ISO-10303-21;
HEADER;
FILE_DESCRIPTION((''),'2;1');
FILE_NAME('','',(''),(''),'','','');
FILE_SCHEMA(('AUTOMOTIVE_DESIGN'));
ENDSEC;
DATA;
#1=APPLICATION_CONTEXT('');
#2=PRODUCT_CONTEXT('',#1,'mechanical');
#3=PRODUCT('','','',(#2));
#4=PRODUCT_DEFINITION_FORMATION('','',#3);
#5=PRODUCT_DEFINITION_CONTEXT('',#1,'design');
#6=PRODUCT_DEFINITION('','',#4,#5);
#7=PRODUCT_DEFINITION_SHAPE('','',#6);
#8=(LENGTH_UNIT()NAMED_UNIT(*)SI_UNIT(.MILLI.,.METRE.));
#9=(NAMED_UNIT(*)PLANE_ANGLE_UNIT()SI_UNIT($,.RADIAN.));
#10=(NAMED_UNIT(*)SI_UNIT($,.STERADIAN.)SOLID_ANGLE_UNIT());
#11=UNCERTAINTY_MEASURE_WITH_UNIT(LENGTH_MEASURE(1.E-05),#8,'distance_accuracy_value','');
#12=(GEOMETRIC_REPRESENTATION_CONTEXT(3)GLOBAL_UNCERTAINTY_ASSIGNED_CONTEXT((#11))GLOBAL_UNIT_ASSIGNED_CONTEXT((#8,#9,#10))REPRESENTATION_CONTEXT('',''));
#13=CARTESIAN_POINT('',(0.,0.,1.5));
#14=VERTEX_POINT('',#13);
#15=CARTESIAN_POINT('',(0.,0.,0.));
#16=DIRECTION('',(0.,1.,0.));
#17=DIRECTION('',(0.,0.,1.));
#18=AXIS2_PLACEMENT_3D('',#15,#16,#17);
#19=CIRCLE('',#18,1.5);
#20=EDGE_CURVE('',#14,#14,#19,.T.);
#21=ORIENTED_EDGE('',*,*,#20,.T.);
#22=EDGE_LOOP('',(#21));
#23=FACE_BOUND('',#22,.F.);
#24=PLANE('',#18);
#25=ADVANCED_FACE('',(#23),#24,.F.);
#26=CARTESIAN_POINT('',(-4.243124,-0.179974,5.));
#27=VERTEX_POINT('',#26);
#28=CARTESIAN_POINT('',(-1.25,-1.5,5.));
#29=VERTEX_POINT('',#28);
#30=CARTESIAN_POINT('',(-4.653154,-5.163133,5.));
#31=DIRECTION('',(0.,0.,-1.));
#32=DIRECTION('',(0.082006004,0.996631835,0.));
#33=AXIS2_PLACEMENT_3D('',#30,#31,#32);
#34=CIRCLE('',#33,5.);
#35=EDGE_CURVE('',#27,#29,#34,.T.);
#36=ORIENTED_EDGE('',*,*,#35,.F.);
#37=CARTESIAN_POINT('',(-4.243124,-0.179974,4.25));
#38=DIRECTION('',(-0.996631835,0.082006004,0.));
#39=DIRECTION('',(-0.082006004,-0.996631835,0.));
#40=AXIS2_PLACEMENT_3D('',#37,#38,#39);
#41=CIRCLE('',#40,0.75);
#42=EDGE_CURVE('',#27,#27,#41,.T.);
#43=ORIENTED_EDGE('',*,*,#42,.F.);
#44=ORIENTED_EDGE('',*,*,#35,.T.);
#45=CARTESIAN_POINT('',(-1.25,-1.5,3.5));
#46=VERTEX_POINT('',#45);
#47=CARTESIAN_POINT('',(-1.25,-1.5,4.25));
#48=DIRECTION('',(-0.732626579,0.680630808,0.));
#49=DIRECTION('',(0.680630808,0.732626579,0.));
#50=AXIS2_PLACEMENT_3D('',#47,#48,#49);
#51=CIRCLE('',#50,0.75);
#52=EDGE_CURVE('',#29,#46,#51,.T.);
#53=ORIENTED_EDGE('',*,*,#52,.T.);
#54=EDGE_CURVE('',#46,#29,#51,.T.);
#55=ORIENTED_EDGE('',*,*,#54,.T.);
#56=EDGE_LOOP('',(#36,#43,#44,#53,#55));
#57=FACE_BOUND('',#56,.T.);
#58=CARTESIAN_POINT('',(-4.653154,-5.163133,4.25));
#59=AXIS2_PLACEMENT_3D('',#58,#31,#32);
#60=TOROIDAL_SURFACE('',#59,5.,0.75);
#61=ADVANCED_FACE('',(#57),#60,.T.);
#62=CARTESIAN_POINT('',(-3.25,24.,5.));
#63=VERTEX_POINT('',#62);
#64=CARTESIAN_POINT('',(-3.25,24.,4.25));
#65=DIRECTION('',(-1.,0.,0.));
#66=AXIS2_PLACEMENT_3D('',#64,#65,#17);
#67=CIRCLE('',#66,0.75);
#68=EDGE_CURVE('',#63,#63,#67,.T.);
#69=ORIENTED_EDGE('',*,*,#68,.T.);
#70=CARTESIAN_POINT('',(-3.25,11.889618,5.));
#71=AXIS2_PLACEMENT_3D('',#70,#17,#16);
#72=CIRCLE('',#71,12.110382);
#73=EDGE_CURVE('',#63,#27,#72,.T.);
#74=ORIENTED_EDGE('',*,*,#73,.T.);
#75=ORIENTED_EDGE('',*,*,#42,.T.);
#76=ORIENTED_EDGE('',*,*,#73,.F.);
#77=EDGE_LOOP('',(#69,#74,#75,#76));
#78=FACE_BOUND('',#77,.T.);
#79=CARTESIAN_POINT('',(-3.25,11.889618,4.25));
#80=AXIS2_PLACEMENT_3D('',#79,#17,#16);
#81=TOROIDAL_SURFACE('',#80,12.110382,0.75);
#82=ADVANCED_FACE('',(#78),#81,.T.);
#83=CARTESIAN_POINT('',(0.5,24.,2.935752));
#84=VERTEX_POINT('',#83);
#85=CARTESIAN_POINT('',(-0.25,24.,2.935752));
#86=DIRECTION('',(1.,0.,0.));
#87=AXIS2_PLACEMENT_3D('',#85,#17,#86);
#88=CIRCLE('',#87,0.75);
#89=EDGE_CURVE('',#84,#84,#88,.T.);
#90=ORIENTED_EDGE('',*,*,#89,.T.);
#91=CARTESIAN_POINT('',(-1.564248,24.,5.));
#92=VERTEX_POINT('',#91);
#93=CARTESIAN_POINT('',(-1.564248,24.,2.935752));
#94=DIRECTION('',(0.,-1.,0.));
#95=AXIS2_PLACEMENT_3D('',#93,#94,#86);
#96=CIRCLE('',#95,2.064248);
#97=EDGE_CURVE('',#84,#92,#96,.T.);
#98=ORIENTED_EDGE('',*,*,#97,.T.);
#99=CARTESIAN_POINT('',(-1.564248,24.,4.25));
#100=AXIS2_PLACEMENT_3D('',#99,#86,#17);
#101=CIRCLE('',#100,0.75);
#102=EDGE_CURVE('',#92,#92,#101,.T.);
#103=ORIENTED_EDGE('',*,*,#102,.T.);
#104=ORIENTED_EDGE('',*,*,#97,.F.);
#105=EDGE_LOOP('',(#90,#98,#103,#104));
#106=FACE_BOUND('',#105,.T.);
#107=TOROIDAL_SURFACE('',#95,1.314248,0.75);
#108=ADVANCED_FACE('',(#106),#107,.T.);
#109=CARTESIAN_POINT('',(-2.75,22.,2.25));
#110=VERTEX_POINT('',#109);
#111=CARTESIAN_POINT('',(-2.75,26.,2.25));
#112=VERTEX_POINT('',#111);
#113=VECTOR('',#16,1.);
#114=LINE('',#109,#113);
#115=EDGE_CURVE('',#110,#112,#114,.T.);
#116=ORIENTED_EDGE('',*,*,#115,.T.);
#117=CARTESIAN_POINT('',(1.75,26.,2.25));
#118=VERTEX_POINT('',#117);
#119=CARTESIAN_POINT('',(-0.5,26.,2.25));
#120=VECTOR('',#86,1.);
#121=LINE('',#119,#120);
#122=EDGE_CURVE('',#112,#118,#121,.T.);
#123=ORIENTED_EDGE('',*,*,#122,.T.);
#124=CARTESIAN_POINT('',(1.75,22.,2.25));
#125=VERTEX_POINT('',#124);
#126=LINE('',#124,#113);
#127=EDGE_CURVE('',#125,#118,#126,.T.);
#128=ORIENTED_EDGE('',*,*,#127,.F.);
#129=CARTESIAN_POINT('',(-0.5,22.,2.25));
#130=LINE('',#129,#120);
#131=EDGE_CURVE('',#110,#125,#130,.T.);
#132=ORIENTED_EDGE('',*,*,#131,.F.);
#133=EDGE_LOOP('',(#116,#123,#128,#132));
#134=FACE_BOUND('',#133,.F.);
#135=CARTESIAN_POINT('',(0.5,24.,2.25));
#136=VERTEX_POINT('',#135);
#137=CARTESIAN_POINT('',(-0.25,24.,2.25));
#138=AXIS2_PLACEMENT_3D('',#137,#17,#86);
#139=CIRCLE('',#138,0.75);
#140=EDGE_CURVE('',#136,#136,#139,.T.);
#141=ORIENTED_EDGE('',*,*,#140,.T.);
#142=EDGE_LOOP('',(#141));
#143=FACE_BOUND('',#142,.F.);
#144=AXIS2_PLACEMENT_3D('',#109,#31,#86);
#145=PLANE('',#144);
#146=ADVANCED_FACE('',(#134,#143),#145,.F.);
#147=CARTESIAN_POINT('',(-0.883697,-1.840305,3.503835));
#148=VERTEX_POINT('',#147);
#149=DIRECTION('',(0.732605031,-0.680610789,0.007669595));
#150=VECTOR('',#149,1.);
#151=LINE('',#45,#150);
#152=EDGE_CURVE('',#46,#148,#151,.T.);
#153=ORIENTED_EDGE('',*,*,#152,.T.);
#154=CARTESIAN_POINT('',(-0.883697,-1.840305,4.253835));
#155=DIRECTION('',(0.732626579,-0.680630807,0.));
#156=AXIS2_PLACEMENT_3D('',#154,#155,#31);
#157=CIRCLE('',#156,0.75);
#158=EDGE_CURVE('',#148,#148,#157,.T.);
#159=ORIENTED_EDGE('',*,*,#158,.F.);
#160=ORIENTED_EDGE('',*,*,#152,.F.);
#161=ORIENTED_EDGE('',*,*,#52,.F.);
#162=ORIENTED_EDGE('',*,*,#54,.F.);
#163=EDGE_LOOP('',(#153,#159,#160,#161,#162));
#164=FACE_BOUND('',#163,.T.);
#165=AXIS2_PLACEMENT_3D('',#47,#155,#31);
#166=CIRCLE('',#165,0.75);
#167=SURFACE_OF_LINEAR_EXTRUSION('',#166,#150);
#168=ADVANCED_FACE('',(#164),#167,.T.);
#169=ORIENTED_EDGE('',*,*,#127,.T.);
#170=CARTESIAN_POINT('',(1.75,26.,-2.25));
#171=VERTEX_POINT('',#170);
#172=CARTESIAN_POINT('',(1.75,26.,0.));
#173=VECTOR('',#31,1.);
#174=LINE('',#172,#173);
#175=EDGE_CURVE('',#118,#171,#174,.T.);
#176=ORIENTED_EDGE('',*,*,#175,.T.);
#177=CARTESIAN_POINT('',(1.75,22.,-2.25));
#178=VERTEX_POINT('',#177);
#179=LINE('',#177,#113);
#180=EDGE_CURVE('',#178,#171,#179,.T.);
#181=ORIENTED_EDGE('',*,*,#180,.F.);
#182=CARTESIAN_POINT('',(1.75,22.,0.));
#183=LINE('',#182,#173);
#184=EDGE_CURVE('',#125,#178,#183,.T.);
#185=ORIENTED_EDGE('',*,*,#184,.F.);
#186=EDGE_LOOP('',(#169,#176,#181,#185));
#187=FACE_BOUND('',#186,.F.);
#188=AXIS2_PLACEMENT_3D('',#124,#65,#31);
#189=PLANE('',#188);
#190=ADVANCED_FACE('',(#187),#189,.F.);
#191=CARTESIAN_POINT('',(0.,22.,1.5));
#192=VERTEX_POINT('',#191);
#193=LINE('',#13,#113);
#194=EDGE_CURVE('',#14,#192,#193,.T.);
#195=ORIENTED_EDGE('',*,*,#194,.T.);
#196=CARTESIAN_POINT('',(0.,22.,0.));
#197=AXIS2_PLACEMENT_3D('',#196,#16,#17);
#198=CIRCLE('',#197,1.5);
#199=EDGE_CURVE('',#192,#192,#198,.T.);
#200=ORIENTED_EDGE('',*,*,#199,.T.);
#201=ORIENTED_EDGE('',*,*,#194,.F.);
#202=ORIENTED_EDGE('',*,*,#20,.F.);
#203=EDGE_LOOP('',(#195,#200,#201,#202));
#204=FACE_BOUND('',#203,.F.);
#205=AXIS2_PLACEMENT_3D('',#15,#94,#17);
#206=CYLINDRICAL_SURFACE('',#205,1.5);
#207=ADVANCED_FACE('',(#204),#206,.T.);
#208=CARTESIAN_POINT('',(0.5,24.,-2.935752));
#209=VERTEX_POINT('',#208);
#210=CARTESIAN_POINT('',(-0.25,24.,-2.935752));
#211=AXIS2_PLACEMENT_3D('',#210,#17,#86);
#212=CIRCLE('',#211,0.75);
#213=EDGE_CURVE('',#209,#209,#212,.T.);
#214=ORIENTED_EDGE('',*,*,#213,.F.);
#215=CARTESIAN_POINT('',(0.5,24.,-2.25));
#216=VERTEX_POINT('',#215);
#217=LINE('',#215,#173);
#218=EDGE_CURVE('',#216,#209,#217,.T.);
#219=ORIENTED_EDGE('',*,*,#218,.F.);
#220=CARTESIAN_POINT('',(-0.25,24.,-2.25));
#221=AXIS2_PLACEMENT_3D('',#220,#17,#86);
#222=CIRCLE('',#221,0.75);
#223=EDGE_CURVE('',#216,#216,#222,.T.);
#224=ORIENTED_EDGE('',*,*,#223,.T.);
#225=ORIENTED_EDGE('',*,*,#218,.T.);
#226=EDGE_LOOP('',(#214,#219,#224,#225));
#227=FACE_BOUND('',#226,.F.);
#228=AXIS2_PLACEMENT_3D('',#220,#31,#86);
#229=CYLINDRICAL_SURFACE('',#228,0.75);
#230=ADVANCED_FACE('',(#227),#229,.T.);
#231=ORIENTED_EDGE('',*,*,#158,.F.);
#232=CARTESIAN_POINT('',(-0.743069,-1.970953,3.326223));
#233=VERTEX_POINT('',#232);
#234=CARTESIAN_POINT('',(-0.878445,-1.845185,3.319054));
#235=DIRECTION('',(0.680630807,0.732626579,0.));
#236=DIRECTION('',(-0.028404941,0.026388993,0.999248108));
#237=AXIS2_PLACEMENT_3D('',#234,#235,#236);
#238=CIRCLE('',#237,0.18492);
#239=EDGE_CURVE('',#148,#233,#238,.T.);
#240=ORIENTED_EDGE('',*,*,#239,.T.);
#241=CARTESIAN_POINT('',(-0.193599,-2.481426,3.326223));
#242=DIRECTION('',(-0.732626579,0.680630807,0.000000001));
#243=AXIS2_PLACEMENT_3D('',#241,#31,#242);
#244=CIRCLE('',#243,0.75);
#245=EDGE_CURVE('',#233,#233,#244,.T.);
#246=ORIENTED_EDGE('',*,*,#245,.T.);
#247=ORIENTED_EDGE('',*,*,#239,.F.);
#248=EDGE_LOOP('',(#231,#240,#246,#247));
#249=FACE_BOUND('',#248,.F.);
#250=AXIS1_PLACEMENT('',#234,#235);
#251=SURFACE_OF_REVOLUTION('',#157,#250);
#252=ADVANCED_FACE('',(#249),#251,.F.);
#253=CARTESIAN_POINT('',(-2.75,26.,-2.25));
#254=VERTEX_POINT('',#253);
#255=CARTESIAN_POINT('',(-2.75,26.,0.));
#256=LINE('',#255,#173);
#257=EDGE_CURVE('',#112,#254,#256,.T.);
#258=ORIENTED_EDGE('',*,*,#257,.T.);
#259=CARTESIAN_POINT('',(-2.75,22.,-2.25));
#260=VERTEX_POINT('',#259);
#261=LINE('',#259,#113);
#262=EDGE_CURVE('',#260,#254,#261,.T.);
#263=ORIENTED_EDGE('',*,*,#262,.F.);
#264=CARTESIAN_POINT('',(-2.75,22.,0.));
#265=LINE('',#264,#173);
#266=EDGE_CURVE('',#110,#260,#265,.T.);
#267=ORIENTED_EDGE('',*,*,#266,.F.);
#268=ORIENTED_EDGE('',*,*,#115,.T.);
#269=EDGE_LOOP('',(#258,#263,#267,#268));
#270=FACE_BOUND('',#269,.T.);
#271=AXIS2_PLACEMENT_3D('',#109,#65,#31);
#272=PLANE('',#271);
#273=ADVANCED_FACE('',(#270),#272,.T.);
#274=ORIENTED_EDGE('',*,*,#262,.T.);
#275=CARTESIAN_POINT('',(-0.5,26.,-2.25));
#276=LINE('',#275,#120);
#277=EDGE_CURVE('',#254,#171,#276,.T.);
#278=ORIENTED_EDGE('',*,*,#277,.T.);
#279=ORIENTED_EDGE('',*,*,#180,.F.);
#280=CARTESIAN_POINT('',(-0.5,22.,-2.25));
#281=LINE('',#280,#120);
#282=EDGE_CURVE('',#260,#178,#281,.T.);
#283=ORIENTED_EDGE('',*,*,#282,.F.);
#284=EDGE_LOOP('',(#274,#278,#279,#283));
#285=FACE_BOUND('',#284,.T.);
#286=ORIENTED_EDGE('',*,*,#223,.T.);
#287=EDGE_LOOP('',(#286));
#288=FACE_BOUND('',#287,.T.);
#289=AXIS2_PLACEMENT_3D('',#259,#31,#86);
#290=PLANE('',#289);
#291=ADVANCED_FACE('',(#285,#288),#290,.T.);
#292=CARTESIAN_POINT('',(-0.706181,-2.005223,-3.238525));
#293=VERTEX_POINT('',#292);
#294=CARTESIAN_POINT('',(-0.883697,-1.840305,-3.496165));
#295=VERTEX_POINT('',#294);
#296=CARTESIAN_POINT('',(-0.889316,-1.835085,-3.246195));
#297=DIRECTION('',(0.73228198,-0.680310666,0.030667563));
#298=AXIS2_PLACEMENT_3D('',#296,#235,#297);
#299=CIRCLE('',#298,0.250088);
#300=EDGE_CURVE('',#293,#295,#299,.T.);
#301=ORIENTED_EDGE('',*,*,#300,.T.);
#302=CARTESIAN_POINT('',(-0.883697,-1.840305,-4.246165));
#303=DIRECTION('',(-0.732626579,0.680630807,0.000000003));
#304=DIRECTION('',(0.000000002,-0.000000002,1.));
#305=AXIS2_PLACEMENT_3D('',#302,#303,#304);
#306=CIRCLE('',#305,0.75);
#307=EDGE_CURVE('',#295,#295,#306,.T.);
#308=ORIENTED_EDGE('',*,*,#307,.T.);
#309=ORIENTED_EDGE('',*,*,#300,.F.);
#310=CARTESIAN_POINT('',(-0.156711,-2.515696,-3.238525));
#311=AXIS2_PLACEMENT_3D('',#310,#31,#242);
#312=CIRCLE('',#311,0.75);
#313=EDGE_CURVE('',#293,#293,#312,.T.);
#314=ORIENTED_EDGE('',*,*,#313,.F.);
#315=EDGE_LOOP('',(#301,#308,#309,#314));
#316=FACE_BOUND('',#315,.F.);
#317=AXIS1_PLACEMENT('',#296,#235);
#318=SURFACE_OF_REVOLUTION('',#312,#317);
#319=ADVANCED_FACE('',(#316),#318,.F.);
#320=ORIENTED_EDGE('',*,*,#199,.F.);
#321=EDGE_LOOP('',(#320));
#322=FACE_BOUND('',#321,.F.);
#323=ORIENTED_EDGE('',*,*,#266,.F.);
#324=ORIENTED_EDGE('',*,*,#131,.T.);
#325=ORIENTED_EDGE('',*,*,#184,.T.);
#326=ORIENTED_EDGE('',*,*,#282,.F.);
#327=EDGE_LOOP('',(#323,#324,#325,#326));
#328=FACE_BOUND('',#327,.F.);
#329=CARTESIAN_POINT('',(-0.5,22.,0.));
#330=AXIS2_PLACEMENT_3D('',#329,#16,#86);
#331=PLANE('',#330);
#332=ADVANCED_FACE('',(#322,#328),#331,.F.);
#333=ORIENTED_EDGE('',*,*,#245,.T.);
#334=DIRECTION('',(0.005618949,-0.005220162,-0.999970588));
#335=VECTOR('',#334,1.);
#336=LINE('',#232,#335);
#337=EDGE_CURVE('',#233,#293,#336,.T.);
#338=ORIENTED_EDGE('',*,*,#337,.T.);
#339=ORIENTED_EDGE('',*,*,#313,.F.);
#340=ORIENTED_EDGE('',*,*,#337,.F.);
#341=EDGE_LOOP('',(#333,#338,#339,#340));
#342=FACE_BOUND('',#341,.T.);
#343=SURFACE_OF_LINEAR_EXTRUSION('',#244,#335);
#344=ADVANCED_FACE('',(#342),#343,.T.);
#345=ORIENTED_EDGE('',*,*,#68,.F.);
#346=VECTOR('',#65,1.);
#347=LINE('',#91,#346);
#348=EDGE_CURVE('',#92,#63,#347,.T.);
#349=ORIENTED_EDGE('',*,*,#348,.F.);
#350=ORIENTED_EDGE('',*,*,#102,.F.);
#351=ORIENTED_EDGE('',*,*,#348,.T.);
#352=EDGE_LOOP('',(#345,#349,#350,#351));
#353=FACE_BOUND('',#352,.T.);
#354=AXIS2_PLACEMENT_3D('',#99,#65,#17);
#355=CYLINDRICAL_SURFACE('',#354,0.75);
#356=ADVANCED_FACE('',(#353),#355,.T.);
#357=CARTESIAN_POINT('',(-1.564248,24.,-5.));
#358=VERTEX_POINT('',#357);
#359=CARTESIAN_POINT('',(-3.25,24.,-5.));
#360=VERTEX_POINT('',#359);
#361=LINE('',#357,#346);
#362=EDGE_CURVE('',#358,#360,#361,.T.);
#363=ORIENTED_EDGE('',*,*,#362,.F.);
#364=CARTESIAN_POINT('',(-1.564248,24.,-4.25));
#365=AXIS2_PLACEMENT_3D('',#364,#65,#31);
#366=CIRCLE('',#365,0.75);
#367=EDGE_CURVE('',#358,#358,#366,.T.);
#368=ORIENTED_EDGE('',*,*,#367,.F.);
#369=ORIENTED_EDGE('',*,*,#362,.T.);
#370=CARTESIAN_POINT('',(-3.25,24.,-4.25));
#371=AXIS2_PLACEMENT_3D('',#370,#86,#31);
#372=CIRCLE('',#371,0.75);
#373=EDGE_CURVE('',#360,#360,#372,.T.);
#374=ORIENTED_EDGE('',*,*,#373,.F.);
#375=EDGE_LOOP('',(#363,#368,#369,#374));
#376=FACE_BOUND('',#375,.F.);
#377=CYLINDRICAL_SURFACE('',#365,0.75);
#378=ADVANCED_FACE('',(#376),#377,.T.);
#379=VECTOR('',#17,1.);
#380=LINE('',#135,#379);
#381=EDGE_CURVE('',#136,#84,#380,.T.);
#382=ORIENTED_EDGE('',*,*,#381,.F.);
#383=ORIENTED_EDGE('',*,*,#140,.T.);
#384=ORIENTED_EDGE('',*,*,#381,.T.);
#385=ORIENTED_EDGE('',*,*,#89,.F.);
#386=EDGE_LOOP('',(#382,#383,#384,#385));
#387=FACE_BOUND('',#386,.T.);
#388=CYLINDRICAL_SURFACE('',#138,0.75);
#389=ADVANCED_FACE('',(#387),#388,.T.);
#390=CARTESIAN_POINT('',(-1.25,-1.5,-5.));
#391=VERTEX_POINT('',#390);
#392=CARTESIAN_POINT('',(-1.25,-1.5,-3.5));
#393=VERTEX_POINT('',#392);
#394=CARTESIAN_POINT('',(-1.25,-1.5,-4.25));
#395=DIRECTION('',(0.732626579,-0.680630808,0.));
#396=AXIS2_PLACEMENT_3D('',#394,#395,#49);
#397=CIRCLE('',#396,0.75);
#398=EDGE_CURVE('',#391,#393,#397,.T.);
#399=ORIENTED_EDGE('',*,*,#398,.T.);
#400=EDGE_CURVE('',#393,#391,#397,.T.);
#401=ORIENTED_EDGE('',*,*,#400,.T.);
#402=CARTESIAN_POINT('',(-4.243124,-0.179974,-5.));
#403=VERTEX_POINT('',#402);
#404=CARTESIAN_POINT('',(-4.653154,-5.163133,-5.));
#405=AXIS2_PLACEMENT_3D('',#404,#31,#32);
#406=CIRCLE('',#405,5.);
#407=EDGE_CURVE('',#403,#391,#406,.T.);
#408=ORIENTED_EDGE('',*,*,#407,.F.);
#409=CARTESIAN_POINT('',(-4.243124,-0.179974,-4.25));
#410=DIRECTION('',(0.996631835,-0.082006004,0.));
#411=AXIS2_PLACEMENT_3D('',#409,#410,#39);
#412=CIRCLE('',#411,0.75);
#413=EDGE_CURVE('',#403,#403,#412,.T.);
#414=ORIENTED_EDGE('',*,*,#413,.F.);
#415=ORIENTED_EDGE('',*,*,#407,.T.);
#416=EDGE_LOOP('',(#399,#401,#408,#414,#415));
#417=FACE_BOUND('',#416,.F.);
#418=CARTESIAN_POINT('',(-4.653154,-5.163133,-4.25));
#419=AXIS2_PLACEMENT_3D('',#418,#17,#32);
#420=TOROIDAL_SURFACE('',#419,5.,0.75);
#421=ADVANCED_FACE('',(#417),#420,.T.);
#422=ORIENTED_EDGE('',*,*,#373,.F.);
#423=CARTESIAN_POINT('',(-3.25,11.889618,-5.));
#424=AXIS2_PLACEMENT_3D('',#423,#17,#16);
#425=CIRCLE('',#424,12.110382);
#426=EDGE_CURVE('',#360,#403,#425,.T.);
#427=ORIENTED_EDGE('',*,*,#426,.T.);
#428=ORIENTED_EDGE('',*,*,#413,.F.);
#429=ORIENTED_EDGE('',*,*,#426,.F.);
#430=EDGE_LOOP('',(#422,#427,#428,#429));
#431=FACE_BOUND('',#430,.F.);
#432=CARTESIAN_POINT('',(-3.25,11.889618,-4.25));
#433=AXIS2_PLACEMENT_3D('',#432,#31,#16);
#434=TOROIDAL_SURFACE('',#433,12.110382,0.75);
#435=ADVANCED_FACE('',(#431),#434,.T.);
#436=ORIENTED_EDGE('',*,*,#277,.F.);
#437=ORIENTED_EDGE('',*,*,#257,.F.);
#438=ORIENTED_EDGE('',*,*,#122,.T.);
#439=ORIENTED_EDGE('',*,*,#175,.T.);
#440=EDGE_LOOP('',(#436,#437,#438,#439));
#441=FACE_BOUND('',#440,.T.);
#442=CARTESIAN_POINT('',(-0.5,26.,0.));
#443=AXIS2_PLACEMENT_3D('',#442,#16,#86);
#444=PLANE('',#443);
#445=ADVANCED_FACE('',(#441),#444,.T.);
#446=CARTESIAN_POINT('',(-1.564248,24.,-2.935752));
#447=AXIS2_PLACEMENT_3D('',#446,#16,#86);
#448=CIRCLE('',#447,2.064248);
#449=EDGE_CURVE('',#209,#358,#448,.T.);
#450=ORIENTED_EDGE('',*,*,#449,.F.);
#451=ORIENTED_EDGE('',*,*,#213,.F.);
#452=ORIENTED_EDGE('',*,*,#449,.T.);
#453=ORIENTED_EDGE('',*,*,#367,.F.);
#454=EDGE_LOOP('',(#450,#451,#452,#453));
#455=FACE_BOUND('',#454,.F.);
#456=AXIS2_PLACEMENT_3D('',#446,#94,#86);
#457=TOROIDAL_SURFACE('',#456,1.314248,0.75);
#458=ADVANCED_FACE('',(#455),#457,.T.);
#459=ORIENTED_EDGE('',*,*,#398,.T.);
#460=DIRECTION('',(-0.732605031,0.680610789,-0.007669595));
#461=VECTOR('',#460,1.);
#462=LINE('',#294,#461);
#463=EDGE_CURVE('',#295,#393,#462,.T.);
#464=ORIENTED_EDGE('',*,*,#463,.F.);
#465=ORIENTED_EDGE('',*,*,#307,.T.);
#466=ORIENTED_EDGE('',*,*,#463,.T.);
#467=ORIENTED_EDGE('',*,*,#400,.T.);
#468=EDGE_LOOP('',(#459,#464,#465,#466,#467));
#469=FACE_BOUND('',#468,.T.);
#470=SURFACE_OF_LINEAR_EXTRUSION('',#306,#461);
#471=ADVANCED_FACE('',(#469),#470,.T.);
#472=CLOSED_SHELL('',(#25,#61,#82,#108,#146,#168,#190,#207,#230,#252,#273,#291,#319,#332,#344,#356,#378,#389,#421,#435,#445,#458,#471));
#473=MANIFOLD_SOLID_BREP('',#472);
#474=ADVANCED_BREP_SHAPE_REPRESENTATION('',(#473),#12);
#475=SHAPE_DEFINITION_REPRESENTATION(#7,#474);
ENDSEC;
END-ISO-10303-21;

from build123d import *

# Parameters (mm, degrees)
SZKIC1_R                    = 1.5
DODANIE_WYCI_GNI_CIE1_DEPTH = 22
SZKIC2_W                    = 4.5
SZKIC2_H                    = 4.5
DODANIE_WYCI_GNI_CIE2_DEPTH = 4
SZKIC3_R                    = 0.75
SZKIC4_R                    = 0.75


with BuildPart() as part:
    # Szkic1 → Dodanie-wyciągnięcie1 (new body)
    with BuildSketch(Plane(origin=(0, 0, 0), x_dir=(1, 0, 0), z_dir=(0, 1, 0))):
        with Locations(Location((0, 0, 0), (0, 0, 270))):
            Circle(SZKIC1_R)
    extrude(amount=DODANIE_WYCI_GNI_CIE1_DEPTH)

    # Szkic2 → Dodanie-wyciągnięcie2 (add)
    with BuildSketch(Plane(origin=(0, 22, 0), x_dir=(1, 0, 0), z_dir=(0, 1, 0))):
        with Locations((-0.5, 0)):
            Rectangle(SZKIC2_W, SZKIC2_H)
    extrude(amount=DODANIE_WYCI_GNI_CIE2_DEPTH)

    # Wyciągnięcie po ścieżce1: sweep along a curve in space
    with BuildLine() as wyci_gni_cie_po_cie_ce1_path:
        Line((-0.25, 24, 2.25), (-0.25, 24, 2.935752061))
        ThreePointArc((-0.25, 24, 2.935752061), (-0.634934309, 24, 3.865065691), (-1.564247939, 24, 4.25))
        Line((-1.564247939, 24, 4.25), (-3.25, 24, 4.25))
        ThreePointArc((-3.25, 24, 4.25), (-15.350180002, 12.386598924, 4.25), (-4.243124016, -0.179973718, 4.25))
        ThreePointArc((-4.243124016, -0.179973718, 4.25), (-2.635553851, -0.588278854, 4.25), (-1.25, -1.5, 4.25))
    # Szkic3 → Wyciągnięcie po ścieżce1 (sweep)
    with BuildSketch(Plane.XY.offset(2.25)):
        with Locations((-0.25, 24)):
            Circle(SZKIC3_R)
    wyci_gni_cie_po_cie_ce1 = sweep(path=wyci_gni_cie_po_cie_ce1_path.line)

    # Lustro1: Wyciągnięcie po ścieżce1 across plane
    add(wyci_gni_cie_po_cie_ce1.mirror(Plane.XY))

    # Wyciągnięcie po ścieżce3: sweep along a path in Szkic5
    with BuildLine(Plane(origin=(-1.3270452, -1.428422831, 0), x_dir=(0.7326050310980656, -0.6806107887241551, 0.007669594649387885), z_dir=(0.6806308072833431, 0.7326265789451163, 0))) as wyci_gni_cie_po_cie_ce3_path:
        Line((0.137755671, -4.249068442), (0.637755671, -4.249068442))
        ThreePointArc((0.637755671, -4.249068442), (1.298765062, -3.975269388), (1.572564117, -3.314259997))
        Line((1.572564117, -3.314259997), (1.572564117, 3.250681557))
        ThreePointArc((1.572564117, 3.250681557), (1.279670898, 3.957788339), (0.572564117, 4.250681557))
        Line((0.572564117, 4.250681557), (0.072564117, 4.250681557))
    # Szkic4 → Wyciągnięcie po ścieżce3 (sweep)
    with BuildSketch(Plane(origin=(0.0770452, -0.071577169, 0), x_dir=(0, 0, -1), z_dir=(0.7326265789451163, -0.6806308072833431, 0))):
        with Locations((-4.25, -1.949728378)):
            Circle(SZKIC4_R)
    sweep(path=wyci_gni_cie_po_cie_ce3_path.line)


solid = part.part
